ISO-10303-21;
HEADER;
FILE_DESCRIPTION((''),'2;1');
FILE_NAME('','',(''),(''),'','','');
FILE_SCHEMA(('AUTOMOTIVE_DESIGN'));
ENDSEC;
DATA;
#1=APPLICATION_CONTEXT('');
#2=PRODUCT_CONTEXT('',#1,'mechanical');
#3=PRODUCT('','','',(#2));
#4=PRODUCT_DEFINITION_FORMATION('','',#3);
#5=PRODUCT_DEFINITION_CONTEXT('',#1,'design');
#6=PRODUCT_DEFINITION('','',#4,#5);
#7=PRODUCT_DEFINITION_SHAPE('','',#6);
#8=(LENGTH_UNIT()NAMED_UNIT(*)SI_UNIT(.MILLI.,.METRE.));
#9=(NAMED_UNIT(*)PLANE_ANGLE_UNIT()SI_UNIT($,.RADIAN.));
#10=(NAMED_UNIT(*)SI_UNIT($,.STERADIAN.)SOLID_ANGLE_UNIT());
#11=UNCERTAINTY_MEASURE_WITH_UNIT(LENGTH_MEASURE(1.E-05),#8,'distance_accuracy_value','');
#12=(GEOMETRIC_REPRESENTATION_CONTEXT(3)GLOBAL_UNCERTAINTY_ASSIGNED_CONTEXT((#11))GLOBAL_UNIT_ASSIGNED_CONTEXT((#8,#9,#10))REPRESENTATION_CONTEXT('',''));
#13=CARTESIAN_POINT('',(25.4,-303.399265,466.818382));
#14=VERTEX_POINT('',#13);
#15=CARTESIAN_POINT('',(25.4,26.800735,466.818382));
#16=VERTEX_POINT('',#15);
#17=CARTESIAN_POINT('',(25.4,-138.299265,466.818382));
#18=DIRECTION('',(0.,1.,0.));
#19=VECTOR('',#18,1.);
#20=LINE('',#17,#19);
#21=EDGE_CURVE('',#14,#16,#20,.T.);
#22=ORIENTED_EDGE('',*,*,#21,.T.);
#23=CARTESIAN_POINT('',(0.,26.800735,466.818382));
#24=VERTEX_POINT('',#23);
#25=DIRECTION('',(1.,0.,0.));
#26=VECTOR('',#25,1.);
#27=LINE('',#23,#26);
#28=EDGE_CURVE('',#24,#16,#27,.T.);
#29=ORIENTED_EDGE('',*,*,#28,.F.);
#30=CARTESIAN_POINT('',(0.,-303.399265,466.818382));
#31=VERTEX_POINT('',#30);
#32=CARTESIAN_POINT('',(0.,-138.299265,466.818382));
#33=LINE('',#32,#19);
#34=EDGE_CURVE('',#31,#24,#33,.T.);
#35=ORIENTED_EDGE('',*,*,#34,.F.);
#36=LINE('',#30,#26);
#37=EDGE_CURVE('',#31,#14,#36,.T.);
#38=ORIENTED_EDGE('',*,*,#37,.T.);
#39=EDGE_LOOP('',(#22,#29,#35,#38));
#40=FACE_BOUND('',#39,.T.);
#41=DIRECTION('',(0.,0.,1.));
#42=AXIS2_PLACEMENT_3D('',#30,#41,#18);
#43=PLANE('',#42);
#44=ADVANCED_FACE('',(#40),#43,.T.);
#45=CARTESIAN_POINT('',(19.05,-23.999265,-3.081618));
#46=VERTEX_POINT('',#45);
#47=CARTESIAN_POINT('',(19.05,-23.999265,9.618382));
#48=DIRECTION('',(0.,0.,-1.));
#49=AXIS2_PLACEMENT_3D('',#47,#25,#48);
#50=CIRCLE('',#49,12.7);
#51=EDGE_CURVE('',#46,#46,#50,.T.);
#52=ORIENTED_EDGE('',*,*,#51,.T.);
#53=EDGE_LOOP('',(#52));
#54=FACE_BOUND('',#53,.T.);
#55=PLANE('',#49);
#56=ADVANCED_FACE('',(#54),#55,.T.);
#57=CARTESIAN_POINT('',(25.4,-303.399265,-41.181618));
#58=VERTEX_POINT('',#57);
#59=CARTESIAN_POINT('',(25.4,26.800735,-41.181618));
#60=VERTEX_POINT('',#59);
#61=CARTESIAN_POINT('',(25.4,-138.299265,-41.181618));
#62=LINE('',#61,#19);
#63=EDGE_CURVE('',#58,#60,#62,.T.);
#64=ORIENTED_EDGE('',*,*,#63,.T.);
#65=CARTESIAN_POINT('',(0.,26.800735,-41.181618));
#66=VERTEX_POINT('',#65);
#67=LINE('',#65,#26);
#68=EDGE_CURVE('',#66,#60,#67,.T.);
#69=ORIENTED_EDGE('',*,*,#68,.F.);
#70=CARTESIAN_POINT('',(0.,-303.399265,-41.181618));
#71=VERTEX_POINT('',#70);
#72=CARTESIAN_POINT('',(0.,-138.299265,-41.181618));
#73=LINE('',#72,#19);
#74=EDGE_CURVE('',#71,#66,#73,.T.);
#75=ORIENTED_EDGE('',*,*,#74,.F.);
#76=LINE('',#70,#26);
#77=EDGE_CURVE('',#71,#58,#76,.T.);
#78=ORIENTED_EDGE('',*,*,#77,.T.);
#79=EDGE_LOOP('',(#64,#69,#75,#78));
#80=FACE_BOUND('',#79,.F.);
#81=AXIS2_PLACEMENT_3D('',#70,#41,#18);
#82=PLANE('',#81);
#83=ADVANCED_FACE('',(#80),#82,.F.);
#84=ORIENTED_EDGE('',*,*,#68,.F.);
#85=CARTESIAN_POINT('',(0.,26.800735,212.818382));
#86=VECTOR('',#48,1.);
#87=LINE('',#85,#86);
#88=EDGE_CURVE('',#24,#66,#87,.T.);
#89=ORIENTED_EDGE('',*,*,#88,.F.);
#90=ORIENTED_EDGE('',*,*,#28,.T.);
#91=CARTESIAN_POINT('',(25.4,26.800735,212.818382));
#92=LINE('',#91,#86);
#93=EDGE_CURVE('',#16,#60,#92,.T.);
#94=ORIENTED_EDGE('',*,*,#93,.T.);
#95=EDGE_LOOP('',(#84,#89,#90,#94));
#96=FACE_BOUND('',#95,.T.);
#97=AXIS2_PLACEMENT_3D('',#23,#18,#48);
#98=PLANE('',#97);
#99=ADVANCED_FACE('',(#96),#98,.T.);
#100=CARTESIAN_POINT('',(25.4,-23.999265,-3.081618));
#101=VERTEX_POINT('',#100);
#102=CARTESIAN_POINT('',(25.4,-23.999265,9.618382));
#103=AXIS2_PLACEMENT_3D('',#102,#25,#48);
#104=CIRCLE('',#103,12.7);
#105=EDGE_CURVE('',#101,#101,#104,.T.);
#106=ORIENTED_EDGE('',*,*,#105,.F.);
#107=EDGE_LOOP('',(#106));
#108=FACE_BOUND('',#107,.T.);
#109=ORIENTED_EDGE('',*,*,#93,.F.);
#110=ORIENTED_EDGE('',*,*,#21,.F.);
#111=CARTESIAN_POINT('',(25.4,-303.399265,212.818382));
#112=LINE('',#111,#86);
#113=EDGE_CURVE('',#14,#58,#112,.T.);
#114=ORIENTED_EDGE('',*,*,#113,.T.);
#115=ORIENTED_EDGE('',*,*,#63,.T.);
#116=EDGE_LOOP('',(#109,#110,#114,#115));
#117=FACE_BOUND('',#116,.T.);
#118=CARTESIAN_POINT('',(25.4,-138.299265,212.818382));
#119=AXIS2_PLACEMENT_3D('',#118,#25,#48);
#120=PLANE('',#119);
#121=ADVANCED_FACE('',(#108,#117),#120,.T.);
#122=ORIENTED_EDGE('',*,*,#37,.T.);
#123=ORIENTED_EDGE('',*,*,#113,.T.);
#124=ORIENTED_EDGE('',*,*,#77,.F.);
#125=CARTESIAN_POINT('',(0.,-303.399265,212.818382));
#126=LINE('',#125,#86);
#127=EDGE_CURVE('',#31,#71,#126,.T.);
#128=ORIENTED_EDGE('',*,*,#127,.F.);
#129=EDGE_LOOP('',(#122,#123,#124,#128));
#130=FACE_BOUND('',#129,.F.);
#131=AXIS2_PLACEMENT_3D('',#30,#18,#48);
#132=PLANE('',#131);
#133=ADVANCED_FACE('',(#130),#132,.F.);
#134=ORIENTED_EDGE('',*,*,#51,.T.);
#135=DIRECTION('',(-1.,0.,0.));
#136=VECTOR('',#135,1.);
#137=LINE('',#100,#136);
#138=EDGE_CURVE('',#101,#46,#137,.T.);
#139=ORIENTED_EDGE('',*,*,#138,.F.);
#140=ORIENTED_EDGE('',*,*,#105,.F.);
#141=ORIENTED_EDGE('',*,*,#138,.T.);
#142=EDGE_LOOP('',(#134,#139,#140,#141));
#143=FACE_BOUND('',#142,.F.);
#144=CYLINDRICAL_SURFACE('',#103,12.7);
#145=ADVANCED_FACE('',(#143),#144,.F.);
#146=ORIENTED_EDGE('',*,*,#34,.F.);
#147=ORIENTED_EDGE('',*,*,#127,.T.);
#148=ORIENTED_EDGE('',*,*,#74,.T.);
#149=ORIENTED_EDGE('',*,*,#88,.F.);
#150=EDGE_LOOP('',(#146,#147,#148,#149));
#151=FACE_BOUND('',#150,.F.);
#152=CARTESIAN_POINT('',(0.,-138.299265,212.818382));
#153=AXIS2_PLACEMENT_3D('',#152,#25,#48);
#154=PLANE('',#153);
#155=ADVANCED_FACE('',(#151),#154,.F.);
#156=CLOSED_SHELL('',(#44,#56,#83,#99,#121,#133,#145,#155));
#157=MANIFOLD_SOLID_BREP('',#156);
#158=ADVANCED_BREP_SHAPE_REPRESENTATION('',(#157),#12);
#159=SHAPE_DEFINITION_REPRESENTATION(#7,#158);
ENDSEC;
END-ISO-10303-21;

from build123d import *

# Parameters (mm, degrees)
SKETCH1_W           = 508
SKETCH1_H           = 330.2
BOSS_EXTRUDE1_DEPTH = 25.4
SKETCH2_R           = 12.7
CUT_EXTRUDE1_DEPTH  = 6.35


with BuildPart() as part:
    # Sketch1 → Boss-Extrude1 (new body)
    with BuildSketch(Plane(origin=(0, 0, 0), x_dir=(0, 0, -1), z_dir=(1, 0, 0))):
        with Locations((-212.818382353, -138.299264706)):
            Rectangle(SKETCH1_W, SKETCH1_H)
    extrude(amount=BOSS_EXTRUDE1_DEPTH)

    # Sketch2 → Cut-Extrude1 (cut)
    with BuildSketch(Plane(origin=(25.4, 0, 0), x_dir=(0, 0, -1), z_dir=(1, 0, 0))):
        with Locations((-9.618382353, -23.999264706)):
            Circle(SKETCH2_R)
    extrude(amount=-CUT_EXTRUDE1_DEPTH, mode=Mode.SUBTRACT)


solid = part.part
